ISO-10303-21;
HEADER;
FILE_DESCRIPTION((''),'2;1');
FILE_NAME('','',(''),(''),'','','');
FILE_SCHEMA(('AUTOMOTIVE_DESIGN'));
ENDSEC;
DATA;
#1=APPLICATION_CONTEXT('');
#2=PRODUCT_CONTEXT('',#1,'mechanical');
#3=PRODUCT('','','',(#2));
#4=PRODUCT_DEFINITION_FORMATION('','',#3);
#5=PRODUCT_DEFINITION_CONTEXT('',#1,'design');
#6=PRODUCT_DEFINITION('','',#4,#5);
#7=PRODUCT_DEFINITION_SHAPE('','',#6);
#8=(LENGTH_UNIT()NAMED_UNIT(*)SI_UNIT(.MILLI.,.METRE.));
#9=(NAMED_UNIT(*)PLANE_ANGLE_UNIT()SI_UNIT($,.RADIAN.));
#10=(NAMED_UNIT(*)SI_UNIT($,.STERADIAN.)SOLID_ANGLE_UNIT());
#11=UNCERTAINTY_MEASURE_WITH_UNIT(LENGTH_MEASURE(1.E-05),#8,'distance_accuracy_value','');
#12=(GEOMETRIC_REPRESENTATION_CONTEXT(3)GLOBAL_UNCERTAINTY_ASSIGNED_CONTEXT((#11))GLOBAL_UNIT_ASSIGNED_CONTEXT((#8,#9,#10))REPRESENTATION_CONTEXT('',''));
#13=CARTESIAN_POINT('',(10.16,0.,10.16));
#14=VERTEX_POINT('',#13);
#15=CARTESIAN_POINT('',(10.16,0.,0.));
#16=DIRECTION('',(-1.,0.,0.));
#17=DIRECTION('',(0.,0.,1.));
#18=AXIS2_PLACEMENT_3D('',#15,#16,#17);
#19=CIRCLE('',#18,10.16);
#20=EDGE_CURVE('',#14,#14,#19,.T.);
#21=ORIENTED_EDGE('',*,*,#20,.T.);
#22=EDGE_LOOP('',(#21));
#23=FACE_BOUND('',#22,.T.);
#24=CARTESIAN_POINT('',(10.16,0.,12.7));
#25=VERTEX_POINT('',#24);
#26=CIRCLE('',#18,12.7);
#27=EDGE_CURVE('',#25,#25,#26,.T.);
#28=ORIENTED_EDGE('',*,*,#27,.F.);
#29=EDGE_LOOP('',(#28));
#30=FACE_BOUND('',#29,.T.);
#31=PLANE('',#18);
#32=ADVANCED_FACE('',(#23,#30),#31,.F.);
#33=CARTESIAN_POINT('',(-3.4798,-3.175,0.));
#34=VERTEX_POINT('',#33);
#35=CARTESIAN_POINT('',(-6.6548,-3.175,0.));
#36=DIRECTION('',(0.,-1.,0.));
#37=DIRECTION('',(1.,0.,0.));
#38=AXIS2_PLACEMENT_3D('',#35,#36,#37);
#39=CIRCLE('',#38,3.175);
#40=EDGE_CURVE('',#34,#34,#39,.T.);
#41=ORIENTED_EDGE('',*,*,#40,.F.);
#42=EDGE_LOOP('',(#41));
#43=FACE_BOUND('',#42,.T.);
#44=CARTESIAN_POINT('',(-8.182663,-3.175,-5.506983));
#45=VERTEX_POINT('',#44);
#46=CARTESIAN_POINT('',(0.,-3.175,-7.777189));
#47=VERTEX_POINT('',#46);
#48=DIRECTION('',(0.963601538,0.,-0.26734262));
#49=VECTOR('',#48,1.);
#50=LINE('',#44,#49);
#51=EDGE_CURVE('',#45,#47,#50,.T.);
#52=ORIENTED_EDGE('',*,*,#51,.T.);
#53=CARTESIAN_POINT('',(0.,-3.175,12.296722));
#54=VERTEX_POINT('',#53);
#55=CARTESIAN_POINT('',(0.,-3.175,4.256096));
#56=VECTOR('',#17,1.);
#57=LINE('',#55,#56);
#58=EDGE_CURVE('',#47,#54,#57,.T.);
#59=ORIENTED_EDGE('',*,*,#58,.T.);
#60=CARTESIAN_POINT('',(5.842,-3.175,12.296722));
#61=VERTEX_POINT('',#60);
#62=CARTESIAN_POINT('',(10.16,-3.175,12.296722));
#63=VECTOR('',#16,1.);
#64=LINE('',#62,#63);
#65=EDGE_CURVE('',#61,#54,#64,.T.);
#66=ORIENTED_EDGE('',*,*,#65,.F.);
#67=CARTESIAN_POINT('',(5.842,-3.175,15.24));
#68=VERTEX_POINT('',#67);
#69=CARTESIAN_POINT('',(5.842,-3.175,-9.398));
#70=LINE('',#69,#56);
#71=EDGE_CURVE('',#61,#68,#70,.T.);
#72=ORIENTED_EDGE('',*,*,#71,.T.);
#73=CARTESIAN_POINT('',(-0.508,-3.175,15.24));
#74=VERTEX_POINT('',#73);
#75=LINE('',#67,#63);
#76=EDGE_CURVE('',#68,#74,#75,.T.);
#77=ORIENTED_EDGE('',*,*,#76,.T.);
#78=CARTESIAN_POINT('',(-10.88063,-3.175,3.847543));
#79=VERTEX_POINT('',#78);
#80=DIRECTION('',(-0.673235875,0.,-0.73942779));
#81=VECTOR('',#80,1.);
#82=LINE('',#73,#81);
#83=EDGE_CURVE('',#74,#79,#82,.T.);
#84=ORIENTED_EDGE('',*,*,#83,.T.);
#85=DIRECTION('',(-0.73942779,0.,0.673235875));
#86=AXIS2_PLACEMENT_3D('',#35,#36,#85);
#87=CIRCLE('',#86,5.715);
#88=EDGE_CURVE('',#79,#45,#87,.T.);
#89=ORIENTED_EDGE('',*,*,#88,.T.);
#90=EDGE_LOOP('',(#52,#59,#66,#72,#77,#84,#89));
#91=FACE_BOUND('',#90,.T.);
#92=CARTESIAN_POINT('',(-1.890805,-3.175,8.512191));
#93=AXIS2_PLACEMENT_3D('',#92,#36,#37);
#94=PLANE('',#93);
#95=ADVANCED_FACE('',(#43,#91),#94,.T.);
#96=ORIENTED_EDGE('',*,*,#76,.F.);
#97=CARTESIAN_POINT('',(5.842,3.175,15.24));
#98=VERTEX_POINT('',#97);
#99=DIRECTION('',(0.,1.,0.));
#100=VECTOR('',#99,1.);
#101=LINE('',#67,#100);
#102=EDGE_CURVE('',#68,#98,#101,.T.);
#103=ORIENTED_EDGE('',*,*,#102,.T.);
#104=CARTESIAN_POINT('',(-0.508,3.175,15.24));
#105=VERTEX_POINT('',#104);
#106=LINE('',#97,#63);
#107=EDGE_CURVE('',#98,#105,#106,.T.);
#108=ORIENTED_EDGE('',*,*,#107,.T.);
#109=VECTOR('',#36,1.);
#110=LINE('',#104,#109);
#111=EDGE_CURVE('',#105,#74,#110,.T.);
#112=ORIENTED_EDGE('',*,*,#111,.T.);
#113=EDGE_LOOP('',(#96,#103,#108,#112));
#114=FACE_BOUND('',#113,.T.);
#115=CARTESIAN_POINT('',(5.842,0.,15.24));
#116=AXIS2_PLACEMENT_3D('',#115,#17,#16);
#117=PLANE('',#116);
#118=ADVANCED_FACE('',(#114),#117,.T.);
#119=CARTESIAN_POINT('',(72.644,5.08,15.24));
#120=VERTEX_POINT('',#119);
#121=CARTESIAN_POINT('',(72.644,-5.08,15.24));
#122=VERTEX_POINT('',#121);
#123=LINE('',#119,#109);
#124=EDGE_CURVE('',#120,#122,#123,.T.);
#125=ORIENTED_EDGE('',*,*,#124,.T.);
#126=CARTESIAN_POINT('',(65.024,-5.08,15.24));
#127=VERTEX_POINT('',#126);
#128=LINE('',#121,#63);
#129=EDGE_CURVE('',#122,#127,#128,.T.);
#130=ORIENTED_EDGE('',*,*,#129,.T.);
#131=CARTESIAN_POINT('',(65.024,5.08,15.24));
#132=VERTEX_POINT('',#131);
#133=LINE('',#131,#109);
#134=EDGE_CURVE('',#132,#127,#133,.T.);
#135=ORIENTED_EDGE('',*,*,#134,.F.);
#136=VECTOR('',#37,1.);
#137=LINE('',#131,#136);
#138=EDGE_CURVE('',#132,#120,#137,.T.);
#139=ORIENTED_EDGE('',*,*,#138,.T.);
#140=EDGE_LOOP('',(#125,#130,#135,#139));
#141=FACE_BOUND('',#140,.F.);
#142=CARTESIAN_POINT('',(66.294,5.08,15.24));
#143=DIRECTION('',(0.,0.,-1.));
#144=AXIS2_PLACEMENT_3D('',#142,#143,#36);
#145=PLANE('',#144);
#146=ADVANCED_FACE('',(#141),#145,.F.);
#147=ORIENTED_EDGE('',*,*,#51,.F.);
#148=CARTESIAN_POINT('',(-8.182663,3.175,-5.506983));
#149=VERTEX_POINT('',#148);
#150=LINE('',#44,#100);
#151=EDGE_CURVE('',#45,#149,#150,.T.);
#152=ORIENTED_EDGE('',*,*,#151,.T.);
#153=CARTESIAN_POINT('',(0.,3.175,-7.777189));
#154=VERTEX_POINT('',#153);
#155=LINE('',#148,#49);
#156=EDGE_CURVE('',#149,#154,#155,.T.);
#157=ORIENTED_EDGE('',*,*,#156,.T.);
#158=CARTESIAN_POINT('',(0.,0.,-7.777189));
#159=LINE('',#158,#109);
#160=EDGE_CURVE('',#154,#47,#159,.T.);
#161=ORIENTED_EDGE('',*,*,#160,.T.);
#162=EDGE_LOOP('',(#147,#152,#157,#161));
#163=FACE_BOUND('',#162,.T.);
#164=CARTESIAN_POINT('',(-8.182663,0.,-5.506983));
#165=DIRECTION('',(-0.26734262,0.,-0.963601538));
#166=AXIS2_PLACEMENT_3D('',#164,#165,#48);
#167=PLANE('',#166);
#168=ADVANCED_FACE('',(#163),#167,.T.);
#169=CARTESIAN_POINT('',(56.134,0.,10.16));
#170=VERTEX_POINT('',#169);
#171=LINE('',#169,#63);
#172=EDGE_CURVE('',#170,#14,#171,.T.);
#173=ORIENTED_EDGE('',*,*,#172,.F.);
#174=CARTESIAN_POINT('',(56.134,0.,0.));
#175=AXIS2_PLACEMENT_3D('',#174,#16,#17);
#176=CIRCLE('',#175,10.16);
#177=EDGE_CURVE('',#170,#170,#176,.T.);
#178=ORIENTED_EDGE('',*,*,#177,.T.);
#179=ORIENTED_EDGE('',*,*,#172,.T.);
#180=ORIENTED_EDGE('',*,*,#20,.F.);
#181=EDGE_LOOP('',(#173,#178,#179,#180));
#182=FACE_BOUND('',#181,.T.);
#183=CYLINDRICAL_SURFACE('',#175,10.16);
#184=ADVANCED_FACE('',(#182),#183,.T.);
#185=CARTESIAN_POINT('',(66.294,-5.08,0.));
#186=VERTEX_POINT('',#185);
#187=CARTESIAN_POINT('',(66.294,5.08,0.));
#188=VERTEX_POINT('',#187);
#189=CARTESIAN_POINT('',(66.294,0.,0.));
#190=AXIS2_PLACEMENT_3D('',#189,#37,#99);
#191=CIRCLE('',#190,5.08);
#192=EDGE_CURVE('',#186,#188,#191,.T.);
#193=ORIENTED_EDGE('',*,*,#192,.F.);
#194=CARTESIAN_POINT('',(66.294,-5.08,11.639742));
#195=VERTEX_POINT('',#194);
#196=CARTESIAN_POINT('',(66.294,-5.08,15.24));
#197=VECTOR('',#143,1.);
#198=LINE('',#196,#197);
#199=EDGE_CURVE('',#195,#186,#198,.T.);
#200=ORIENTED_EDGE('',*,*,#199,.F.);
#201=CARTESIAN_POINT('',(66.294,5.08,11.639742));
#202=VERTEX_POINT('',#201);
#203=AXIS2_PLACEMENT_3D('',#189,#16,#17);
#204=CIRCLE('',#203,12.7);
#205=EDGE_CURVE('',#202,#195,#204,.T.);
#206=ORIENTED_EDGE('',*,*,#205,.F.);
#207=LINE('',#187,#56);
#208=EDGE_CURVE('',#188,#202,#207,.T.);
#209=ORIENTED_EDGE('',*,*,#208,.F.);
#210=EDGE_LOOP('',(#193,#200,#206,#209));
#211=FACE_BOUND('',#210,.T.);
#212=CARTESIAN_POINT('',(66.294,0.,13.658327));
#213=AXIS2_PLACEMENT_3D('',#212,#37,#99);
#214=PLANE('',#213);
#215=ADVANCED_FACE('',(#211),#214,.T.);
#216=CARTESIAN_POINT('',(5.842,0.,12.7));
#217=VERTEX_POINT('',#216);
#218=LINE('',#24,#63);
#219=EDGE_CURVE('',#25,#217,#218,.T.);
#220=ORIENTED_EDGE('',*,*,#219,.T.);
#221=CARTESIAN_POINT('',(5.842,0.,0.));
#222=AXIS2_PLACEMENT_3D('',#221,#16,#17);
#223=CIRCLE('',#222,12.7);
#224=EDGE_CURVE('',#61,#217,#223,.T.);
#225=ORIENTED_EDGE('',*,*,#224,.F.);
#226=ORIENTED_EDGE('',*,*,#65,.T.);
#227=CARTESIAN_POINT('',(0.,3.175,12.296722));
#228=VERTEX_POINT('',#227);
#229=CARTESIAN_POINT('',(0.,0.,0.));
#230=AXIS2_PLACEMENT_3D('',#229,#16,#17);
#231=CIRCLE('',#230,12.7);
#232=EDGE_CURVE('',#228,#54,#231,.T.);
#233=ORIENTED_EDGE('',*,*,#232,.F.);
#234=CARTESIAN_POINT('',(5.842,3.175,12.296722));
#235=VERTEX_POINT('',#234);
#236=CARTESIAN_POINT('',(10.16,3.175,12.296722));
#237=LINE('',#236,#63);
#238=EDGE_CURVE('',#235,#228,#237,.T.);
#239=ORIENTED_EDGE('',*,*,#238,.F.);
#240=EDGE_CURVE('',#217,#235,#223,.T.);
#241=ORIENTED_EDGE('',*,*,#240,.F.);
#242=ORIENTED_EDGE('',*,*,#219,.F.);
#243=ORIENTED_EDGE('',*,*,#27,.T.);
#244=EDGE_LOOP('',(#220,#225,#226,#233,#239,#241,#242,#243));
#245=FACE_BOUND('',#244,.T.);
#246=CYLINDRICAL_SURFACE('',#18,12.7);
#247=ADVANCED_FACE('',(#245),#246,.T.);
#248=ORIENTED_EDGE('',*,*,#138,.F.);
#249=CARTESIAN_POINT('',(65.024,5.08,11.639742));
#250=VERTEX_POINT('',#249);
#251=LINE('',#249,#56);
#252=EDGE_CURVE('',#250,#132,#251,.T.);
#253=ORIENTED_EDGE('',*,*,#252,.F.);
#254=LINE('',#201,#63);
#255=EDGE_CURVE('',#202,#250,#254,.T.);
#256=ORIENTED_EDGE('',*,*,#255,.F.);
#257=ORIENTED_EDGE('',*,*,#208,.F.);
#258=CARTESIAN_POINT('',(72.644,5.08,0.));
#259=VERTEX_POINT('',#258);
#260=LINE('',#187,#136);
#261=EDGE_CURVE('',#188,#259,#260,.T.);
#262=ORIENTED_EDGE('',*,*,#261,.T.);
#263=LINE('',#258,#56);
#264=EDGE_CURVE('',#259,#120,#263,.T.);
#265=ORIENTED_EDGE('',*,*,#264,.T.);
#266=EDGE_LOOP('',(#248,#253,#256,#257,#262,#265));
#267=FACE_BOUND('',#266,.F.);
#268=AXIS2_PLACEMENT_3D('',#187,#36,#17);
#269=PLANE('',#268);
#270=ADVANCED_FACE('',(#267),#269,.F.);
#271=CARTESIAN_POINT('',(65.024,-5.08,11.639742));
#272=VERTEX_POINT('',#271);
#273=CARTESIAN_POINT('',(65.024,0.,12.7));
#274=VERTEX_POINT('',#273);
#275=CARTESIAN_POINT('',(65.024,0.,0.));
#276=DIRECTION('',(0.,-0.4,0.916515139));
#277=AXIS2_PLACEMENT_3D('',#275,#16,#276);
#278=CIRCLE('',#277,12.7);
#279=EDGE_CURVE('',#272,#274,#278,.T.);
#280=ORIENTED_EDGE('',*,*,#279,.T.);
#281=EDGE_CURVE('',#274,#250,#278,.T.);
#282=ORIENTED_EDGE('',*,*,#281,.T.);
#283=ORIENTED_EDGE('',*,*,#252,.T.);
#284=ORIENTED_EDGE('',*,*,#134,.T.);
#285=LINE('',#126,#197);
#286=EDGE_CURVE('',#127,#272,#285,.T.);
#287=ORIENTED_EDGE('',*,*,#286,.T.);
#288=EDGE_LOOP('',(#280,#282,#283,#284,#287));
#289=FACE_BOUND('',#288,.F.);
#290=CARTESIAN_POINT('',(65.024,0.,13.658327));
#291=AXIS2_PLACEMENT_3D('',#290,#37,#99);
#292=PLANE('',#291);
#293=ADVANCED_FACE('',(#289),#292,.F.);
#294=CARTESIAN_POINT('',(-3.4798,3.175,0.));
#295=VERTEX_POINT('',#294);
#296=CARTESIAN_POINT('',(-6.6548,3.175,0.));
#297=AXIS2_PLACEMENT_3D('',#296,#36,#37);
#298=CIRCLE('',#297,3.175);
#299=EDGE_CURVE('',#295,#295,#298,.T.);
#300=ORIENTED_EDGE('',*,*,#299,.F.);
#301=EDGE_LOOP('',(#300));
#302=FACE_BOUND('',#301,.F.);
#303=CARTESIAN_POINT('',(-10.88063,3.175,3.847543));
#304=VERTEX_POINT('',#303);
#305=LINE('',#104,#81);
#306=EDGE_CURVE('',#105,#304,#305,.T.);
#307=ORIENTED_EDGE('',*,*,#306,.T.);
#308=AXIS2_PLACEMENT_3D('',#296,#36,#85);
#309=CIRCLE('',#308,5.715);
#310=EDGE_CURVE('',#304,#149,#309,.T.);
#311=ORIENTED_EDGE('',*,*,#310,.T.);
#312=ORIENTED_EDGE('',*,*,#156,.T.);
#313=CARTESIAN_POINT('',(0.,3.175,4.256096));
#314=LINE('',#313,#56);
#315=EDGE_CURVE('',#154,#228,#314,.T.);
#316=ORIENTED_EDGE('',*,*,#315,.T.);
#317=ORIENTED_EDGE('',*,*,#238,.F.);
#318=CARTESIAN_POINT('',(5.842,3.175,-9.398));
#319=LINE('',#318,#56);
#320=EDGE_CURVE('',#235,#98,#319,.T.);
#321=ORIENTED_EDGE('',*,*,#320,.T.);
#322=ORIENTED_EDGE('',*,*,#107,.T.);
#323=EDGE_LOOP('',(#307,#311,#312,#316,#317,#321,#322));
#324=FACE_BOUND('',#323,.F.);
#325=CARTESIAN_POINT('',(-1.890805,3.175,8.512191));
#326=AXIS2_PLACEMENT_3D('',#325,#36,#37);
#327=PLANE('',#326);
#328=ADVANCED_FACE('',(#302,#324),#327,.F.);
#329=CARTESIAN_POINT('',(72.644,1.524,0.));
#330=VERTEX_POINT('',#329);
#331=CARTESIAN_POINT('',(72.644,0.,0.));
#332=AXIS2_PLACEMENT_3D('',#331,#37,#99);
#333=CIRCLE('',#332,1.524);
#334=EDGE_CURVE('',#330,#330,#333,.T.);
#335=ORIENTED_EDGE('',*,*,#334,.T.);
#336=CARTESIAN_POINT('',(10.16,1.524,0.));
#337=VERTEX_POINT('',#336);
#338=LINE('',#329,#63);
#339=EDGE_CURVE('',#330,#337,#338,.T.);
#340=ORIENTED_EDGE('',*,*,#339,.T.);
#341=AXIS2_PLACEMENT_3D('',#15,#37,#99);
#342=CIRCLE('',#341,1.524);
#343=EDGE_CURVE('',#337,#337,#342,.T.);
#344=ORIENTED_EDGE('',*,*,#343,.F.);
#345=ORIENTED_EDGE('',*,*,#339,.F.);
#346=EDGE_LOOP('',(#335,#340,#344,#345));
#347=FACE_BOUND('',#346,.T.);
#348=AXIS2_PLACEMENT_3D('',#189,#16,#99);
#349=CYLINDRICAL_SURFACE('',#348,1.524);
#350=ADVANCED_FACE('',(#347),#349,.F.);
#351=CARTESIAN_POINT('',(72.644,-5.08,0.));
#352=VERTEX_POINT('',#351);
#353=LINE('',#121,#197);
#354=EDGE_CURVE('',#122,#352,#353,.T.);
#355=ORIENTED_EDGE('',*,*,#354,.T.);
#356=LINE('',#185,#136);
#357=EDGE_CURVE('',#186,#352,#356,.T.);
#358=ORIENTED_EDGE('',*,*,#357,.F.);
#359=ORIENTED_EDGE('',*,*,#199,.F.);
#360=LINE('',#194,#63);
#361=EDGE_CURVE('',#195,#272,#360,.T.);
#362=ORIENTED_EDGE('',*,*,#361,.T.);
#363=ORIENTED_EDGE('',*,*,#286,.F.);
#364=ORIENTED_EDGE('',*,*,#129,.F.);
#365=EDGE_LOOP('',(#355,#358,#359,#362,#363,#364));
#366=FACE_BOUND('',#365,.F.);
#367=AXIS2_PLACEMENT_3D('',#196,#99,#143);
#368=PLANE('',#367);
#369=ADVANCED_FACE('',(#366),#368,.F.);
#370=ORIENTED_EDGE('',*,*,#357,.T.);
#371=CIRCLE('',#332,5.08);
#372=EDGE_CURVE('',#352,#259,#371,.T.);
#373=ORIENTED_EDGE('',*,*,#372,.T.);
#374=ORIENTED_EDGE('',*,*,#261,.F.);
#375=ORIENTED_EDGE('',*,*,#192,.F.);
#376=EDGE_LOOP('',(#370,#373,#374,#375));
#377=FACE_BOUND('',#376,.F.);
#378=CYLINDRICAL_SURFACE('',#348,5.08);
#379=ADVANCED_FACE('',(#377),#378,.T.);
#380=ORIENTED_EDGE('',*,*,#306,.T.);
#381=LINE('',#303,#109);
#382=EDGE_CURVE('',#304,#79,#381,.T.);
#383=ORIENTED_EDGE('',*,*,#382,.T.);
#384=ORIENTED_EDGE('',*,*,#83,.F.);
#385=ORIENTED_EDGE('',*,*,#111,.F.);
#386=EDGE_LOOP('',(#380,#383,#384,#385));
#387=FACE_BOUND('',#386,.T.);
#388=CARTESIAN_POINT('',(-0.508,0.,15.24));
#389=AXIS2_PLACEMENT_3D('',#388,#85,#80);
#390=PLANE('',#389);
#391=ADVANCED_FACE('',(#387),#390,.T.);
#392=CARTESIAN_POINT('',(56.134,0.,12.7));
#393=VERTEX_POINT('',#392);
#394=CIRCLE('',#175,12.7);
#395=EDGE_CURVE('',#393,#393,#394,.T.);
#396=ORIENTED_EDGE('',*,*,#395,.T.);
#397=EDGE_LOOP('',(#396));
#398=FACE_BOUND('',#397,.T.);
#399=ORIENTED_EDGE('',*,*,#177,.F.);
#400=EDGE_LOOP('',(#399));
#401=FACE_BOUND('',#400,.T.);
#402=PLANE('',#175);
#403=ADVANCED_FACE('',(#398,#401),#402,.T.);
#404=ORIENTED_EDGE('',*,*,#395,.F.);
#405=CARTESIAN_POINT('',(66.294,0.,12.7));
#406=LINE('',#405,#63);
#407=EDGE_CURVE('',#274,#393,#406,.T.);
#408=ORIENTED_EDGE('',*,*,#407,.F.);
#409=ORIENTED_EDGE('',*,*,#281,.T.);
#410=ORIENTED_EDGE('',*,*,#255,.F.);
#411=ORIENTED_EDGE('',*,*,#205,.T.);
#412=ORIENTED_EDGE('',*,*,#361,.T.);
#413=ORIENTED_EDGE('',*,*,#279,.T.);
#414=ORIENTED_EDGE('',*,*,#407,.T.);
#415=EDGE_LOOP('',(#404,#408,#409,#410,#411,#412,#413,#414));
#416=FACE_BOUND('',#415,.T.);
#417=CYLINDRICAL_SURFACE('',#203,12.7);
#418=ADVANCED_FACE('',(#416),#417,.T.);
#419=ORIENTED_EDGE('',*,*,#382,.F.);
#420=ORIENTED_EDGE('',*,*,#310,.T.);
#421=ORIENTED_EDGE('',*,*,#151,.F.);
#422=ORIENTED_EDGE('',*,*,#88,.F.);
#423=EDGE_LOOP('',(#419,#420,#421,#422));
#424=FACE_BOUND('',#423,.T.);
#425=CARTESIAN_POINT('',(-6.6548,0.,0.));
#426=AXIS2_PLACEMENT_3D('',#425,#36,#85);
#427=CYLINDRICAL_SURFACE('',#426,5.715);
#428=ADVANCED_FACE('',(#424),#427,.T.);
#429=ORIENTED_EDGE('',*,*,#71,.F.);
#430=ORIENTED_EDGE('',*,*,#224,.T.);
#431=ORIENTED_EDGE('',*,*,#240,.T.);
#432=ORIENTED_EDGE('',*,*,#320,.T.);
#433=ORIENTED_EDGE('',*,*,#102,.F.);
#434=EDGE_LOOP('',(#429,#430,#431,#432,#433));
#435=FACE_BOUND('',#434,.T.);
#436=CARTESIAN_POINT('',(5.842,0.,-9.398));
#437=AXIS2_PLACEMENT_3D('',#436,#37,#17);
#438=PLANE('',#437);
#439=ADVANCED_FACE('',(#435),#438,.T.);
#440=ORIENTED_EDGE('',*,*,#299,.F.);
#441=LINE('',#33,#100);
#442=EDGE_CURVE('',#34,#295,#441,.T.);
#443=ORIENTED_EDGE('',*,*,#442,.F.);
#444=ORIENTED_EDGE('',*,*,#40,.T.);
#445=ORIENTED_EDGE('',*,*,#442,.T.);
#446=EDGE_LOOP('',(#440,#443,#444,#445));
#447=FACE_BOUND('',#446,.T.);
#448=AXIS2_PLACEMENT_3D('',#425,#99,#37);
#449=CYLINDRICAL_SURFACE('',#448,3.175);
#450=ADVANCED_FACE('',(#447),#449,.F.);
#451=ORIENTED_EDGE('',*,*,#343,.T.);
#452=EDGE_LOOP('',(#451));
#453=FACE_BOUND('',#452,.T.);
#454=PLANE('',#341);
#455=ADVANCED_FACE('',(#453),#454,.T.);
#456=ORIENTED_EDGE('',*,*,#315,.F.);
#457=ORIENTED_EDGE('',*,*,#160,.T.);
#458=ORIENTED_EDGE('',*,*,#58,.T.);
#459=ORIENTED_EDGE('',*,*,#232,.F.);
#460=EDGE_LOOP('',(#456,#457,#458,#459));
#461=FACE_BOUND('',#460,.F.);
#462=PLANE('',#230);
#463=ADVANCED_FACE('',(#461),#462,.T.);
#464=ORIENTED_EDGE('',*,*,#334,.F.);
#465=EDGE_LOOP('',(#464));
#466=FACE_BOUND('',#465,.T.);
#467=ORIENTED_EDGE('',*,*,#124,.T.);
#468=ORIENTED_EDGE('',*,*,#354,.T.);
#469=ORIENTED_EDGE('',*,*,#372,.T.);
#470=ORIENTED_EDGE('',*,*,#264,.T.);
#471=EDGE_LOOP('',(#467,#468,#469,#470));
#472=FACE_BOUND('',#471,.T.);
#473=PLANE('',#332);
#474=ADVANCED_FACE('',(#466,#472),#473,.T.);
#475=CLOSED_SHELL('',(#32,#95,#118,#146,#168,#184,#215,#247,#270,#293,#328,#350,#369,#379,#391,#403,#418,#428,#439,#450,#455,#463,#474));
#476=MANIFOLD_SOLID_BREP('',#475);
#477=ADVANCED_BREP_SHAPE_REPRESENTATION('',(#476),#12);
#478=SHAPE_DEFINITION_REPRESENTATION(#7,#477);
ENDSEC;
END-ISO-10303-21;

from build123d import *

# Parameters (mm, degrees)
F0_W     = 5.842
F0_H     = 12.7
F0_R     = 3.175
F1_DEPTH = 3.175
F4_DEPTH = 1.27
F3_R     = 1.524
F5_DEPTH = 56.134
F6_DEPTH = 6.35


with BuildPart() as f1:
    # F0 (on Front) → F1 (new body, symmetric)
    with BuildSketch(Plane.XZ):
        with BuildLine():
            Line((-0.9398, 0), (0, 0))
            Line((0, 0), (0, 12.7))
            Line((0, 12.7), (5.842, 12.7))
            Line((5.842, 12.7), (5.842, 15.24))
            Line((5.842, 15.24), (-0.508, 15.24))
            Line((-0.508, 15.24), (-10.8806298187, 3.8475430269))
            ThreePointArc((-10.8806298187, 3.8475430269), (-4.5919612295, 5.3297205562), (-0.9398, 0))
        make_face()
        with Locations((2.921, 6.35)):
            Rectangle(F0_W, F0_H)
        with BuildLine():
            ThreePointArc((-8.1826630726, -5.5069827884), (-3.1957909266, -4.5493385486), (-0.9398, 0))
            ThreePointArc((-0.9398, 0), (-4.5919612295, 5.3297205562), (-10.8806298187, 3.8475430269))
            ThreePointArc((-10.8806298187, 3.8475430269), (-12.1459778134, -1.5837270034), (-8.1826630726, -5.5069827884))
        make_face()
        with Locations((-6.6548, 0)):
            Circle(F0_R, mode=Mode.SUBTRACT)
        with BuildLine():
            Line((5.842, 0), (0, 0))
            Line((0, 0), (-0.9398, 0))
            ThreePointArc((-0.9398, 0), (-3.1957909266, -4.5493385486), (-8.1826630726, -5.5069827884))
            Line((-8.1826630726, -5.5069827884), (5.842, -9.398))
            Line((5.842, -9.398), (5.842, 0))
        make_face()
    extrude(amount=F1_DEPTH, both=True)

    # F0 (on Front) → F2 (revolve)
    with BuildSketch(Plane.XZ):
        Polygon((5.842, 12.7), (5.842, 0), (66.294, 0), (66.294, 12.7), (56.134, 12.7), (56.134, 10.16), (10.16, 10.16), (10.16, 12.7), align=None)
        with Locations((2.921, 6.35)):
            Rectangle(F0_W, F0_H)
    revolve(axis=Axis((33.147, 0, 0), (-1, 0, 0)))

    # F3 (on face) → F4 (join)
    with BuildSketch(Plane.YZ.offset(66.294)):
        with BuildLine():
            ThreePointArc((-5.08, 11.6397422652), (0, 12.7), (5.08, 11.6397422652))
            Line((5.08, 11.6397422652), (5.08, 15.24))
            Line((5.08, 15.24), (-5.08, 15.24))
            Line((-5.08, 15.24), (-5.08, 11.6397422652))
        make_face()
    extrude(amount=-F4_DEPTH)

    # F3 (on face) → F5 (cut, through all)
    with BuildSketch(Plane.YZ.offset(66.294)):
        Circle(F3_R)
    extrude(amount=-F5_DEPTH, mode=Mode.SUBTRACT)

    # F3 (on face) → F6 (join)
    with BuildSketch(Plane.YZ.offset(66.294)):
        with BuildLine():
            ThreePointArc((-5.08, 0), (0, -5.08), (5.08, 0))
            ThreePointArc((5.08, 0), (0, 5.08), (-5.08, 0))
        make_face()
        Circle(F3_R, mode=Mode.SUBTRACT)
        with BuildLine():
            ThreePointArc((-5.08, 0), (0, 5.08), (5.08, 0))
            Line((5.08, 0), (5.08, 11.6397422652))
            ThreePointArc((5.08, 11.6397422652), (0, 12.7), (-5.08, 11.6397422652))
            Line((-5.08, 11.6397422652), (-5.08, 0))
        make_face()
        with BuildLine():
            ThreePointArc((-5.08, 11.6397422652), (0, 12.7), (5.08, 11.6397422652))
            Line((5.08, 11.6397422652), (5.08, 15.24))
            Line((5.08, 15.24), (-5.08, 15.24))
            Line((-5.08, 15.24), (-5.08, 11.6397422652))
        make_face()
    extrude(amount=F6_DEPTH)


solid = f1.part
